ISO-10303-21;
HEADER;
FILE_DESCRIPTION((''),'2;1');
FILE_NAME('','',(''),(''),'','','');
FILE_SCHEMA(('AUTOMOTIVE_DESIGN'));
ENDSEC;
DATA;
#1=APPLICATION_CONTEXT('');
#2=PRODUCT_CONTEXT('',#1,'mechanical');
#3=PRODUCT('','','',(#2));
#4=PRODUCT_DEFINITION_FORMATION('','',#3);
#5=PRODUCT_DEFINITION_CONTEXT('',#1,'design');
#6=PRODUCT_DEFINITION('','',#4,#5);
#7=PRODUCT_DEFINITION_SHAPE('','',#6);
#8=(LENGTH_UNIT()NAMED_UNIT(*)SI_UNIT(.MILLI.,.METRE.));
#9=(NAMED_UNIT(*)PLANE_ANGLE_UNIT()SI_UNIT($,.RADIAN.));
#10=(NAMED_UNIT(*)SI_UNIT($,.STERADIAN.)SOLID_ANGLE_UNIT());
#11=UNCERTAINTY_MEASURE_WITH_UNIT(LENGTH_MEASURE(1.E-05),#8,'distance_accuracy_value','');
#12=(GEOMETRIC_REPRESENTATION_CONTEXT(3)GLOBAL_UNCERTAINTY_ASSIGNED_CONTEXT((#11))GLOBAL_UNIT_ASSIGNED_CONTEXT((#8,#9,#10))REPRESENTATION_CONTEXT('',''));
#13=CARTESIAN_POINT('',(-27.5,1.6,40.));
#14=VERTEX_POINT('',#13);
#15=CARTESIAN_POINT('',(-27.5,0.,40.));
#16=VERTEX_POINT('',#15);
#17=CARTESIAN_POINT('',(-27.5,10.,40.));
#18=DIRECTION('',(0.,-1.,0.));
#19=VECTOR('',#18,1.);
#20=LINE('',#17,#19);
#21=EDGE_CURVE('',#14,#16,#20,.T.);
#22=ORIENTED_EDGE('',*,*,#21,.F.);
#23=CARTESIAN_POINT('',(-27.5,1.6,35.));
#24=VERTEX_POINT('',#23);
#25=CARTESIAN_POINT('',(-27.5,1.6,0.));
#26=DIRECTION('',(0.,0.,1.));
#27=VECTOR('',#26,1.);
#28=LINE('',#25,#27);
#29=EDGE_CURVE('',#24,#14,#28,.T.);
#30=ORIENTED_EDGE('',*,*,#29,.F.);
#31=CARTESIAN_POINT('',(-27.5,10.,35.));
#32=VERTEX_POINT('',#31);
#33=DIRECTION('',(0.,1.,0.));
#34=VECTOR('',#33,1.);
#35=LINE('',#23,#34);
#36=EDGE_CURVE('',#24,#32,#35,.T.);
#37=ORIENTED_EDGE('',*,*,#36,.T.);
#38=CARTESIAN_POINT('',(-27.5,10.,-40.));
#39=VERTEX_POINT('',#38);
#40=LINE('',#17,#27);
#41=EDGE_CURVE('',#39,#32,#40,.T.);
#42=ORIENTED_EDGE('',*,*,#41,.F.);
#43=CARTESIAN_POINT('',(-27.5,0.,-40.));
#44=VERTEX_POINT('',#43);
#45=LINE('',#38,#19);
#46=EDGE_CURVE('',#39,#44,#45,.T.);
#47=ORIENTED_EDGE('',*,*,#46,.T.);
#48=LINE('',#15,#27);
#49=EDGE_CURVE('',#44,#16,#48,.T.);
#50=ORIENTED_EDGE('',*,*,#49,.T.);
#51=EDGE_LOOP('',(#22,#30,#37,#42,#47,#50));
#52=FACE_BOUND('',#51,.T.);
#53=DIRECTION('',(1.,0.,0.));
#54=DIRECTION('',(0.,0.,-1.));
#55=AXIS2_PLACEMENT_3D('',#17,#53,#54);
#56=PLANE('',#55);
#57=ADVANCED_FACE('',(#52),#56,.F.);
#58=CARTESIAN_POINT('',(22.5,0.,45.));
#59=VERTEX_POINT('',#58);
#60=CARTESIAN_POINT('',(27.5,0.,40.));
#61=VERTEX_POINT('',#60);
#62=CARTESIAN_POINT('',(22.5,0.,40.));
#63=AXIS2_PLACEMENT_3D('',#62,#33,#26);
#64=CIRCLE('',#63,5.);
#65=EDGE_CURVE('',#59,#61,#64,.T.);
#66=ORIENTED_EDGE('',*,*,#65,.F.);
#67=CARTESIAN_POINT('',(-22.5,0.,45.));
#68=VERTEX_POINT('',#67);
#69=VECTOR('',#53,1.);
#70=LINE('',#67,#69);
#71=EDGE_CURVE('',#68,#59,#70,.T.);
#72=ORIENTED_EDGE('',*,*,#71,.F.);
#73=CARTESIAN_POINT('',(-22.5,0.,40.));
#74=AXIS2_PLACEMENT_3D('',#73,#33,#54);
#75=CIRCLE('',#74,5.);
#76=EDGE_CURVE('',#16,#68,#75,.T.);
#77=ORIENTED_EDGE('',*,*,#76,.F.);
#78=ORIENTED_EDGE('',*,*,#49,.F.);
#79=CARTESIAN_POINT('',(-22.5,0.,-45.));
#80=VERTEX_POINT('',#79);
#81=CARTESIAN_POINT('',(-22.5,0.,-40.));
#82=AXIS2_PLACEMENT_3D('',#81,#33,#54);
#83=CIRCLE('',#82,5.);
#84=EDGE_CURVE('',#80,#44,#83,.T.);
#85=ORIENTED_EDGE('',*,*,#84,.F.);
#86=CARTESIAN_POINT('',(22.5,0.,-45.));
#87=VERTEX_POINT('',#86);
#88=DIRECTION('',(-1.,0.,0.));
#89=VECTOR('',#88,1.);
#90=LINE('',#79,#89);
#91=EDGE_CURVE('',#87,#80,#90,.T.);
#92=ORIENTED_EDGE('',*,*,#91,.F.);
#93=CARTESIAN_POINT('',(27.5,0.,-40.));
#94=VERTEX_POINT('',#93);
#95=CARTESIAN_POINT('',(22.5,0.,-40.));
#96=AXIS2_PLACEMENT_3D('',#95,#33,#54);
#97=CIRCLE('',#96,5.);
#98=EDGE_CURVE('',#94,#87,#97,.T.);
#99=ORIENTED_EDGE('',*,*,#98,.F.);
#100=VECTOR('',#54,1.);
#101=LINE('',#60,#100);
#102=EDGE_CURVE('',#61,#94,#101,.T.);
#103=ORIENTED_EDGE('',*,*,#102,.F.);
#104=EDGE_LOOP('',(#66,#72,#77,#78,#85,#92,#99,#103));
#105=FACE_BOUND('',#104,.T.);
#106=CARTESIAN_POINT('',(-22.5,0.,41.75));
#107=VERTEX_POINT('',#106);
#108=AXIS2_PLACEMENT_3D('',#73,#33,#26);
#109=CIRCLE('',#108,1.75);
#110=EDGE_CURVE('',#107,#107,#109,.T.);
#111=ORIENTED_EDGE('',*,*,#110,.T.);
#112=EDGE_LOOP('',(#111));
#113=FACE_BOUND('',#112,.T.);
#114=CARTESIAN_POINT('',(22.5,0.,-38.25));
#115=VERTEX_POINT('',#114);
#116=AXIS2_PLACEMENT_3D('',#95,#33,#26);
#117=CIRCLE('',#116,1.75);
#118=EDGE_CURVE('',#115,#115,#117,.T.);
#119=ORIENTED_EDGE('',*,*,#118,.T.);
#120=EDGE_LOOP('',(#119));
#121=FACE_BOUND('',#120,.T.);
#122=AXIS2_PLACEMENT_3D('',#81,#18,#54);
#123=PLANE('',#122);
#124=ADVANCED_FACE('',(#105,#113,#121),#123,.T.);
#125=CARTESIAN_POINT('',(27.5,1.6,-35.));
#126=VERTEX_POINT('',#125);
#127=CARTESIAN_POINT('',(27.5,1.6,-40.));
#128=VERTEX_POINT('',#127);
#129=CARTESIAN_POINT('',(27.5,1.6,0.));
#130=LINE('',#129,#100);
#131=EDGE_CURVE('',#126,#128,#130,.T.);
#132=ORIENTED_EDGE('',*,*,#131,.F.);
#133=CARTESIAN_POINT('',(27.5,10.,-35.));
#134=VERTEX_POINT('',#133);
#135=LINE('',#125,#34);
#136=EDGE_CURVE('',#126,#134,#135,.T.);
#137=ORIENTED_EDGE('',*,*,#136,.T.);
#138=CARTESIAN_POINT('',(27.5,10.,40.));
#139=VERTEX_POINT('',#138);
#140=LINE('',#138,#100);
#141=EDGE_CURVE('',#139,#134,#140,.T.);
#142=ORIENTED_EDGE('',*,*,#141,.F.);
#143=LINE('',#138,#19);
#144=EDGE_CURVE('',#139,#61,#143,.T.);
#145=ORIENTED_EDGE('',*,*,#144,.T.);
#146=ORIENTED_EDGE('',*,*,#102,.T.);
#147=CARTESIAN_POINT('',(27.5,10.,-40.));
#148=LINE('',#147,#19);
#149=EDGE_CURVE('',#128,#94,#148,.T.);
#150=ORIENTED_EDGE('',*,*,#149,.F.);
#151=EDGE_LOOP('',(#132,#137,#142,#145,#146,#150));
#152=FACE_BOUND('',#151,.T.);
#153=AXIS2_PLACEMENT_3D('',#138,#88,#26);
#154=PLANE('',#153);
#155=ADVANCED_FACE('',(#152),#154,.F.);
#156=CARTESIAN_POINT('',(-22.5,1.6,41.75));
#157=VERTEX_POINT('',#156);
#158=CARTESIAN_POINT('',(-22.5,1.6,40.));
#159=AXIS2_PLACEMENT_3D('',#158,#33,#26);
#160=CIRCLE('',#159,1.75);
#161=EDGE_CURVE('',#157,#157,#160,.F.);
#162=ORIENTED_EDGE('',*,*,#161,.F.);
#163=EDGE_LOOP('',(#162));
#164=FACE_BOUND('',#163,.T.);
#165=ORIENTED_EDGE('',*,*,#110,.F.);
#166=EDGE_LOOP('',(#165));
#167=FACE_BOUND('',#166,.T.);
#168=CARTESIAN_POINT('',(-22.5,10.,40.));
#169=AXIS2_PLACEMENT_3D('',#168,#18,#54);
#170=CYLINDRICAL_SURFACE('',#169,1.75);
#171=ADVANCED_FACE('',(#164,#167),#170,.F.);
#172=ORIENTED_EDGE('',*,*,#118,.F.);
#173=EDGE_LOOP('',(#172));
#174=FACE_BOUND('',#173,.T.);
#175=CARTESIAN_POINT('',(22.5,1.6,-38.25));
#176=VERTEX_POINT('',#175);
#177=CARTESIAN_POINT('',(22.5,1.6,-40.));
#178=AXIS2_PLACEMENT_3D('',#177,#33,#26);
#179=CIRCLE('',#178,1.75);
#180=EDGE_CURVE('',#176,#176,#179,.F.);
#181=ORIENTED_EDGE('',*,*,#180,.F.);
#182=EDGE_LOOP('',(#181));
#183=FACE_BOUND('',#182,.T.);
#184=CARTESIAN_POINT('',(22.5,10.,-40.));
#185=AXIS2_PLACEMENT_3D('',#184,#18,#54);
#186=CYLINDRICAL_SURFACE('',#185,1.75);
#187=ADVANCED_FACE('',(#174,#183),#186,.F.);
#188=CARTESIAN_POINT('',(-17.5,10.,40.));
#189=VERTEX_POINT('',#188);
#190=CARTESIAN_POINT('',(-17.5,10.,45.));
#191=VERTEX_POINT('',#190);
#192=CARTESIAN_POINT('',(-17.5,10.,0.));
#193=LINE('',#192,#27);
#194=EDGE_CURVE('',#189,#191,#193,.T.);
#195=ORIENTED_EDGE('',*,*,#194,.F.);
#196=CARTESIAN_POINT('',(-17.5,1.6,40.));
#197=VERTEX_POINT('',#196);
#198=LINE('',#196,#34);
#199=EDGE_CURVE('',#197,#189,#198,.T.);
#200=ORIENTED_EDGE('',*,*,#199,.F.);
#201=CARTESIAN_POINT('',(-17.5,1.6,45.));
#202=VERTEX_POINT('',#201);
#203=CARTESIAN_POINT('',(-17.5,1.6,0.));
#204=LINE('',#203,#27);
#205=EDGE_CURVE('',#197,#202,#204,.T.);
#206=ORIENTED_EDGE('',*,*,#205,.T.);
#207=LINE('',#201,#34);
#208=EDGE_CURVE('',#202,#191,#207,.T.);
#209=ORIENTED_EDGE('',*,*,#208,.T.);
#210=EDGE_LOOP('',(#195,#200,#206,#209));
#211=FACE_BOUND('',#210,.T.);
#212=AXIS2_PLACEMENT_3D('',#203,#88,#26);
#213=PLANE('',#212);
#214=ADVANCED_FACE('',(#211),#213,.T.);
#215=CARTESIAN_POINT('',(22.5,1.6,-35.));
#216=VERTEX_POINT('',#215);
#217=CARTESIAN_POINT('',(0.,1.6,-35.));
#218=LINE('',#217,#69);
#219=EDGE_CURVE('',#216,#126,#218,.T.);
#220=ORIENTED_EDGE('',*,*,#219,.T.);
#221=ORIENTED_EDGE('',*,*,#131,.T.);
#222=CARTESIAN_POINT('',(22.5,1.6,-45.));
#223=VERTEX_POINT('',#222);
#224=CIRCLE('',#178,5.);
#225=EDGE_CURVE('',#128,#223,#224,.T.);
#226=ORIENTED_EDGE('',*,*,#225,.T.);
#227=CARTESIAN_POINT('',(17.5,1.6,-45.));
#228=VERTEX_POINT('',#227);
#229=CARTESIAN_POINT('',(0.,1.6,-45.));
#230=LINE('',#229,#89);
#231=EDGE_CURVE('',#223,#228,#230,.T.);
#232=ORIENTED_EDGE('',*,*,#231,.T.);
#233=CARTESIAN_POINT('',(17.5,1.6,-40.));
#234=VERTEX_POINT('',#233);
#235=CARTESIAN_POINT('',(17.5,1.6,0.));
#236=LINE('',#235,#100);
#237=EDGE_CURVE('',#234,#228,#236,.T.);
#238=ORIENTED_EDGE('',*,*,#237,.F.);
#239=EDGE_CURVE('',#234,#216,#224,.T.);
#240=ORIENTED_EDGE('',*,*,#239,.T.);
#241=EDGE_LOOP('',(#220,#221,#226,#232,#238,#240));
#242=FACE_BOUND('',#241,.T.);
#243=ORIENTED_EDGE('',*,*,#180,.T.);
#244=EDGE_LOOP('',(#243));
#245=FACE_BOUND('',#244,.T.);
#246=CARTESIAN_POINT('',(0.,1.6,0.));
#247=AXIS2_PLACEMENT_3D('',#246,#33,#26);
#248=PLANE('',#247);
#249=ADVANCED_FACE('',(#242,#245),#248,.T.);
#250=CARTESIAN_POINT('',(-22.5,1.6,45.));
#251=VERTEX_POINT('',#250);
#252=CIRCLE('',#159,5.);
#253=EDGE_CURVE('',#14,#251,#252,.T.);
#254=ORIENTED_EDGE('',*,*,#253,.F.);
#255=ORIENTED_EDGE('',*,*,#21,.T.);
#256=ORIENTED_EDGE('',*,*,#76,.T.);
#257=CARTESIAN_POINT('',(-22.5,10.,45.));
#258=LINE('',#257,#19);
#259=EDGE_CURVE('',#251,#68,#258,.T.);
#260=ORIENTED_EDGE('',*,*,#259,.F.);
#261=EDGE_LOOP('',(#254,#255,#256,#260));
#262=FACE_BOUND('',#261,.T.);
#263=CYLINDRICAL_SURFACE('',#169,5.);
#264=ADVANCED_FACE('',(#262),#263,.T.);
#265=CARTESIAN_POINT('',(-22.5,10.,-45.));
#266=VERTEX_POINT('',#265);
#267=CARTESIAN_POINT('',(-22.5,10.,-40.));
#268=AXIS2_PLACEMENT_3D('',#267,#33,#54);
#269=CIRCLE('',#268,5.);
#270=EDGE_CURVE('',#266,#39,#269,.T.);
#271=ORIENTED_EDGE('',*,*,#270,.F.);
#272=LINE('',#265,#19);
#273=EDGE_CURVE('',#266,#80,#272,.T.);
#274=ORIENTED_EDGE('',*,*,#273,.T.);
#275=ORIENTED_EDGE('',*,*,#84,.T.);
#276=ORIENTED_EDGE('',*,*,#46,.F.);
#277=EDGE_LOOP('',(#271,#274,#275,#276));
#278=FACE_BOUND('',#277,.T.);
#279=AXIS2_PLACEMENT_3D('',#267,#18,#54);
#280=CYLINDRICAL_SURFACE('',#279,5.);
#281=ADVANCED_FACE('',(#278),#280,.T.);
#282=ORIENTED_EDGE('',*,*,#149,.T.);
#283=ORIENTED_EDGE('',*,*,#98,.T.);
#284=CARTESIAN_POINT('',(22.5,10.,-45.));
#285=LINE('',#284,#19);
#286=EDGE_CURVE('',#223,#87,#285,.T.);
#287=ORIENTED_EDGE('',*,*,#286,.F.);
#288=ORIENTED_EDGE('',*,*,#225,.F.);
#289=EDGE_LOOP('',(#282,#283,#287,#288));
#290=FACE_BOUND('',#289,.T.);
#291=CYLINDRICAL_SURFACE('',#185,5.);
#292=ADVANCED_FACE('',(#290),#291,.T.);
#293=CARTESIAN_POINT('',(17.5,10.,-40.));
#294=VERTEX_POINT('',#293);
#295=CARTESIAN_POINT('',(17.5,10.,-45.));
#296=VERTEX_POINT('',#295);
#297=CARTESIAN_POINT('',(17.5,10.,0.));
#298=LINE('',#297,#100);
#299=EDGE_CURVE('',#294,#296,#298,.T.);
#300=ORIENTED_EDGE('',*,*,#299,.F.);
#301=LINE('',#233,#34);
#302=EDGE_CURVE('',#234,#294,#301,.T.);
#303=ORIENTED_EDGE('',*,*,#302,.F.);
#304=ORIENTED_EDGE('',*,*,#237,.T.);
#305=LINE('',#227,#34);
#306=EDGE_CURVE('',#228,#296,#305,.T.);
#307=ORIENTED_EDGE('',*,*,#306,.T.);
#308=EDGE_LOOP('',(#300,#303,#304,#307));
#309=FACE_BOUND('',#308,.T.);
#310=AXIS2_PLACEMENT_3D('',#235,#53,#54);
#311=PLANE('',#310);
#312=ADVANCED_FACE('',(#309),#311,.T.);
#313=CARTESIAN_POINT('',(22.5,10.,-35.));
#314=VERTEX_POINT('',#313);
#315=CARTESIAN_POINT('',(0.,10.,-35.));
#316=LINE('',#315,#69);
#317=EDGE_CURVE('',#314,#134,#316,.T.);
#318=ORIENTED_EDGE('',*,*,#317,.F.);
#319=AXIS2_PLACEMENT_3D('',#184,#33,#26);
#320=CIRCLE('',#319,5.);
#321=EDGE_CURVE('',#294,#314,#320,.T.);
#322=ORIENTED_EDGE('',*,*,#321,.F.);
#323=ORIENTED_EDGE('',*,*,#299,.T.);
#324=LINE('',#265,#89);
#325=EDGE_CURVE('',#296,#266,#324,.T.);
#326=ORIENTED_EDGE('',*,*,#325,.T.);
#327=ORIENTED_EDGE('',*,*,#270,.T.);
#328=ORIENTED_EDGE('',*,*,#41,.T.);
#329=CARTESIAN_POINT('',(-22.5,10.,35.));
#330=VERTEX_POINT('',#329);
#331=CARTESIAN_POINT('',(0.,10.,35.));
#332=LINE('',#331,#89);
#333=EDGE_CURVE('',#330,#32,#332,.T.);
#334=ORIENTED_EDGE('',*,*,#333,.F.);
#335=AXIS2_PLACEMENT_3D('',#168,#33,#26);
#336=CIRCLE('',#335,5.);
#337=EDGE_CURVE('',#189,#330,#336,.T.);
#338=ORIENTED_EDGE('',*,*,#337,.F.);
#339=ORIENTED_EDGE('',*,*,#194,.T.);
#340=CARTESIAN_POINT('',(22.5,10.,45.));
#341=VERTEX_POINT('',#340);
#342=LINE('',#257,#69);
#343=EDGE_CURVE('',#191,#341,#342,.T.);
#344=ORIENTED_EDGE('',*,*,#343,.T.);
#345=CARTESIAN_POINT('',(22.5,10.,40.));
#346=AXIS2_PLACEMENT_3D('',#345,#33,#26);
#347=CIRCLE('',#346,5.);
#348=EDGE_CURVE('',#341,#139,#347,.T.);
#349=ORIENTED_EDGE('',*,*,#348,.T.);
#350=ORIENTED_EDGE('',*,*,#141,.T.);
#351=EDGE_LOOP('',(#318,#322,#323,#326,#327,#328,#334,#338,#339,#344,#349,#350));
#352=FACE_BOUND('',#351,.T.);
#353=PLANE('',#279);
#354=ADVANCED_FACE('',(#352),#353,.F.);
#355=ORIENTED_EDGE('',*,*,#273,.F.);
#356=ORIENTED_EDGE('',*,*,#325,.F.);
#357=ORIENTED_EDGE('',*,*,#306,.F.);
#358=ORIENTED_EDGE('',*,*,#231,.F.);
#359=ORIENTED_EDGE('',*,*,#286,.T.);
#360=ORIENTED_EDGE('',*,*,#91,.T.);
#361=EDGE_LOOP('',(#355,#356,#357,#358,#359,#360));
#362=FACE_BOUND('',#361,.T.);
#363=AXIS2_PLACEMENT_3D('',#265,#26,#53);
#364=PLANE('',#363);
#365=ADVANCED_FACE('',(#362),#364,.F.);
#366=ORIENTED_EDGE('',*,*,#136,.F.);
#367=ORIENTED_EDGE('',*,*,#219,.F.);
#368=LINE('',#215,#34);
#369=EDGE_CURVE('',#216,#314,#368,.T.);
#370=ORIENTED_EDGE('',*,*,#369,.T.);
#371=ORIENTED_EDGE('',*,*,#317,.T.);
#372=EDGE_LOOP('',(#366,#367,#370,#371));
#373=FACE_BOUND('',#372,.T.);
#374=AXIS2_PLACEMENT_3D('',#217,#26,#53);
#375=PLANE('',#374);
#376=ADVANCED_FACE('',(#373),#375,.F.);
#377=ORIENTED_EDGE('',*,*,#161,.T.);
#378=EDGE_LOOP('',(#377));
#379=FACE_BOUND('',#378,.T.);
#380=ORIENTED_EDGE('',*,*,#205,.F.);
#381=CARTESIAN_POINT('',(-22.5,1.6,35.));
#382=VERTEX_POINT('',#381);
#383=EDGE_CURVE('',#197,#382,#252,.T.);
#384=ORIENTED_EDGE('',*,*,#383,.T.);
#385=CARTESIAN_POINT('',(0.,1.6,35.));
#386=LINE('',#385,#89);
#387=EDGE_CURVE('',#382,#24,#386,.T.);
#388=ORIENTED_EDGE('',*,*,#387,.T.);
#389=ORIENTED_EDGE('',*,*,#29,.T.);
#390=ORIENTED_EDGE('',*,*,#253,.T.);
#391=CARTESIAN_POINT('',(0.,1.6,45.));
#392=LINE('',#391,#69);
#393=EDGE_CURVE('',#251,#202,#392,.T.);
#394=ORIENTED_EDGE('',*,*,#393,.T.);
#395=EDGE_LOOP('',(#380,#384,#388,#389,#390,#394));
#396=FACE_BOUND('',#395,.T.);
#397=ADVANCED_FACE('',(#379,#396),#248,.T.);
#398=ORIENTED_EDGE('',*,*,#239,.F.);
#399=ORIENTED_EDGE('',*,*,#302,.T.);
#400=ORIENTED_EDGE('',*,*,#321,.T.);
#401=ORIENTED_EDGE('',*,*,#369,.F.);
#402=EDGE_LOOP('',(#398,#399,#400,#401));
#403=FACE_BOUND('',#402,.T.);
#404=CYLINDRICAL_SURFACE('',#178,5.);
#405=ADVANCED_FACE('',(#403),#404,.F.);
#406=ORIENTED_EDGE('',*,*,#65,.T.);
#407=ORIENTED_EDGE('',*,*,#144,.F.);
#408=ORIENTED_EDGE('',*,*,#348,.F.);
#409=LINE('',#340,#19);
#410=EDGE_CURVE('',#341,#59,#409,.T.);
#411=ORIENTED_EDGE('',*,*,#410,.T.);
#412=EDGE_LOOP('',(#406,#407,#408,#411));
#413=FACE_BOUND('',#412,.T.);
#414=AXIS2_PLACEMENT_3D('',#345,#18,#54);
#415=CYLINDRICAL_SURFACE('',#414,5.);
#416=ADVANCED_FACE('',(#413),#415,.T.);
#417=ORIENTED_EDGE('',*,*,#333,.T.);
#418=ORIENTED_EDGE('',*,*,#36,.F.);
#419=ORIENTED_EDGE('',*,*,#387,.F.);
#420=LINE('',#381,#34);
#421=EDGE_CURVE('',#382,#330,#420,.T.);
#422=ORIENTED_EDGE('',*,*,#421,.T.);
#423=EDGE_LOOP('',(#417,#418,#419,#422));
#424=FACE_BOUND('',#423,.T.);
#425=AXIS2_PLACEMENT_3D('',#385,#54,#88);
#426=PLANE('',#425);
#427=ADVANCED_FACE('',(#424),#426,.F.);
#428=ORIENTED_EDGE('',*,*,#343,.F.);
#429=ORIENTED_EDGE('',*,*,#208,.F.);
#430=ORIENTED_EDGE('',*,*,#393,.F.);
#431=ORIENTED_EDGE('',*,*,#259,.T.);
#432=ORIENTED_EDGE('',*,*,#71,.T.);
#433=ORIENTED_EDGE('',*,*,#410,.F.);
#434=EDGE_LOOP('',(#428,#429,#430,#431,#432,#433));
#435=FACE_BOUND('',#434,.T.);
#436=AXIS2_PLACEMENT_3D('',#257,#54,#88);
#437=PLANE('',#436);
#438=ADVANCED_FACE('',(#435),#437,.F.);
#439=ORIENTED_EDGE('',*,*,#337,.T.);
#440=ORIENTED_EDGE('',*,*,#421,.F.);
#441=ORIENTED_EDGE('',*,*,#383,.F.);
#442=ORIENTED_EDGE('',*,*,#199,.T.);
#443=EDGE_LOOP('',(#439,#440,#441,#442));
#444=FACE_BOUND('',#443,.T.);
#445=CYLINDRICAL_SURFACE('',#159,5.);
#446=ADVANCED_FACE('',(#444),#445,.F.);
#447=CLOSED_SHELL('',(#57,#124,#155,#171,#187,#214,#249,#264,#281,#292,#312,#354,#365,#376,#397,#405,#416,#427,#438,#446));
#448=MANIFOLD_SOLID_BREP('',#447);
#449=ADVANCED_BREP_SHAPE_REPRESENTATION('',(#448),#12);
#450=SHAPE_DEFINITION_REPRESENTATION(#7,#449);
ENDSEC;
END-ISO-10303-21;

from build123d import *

# Parameters (mm, degrees)
SKETCH_1_R          = 1.75
EXTRUDE_1_DEPTH     = 10
SKETCH_2_R          = 1.75
CUT_EXTRUDE_2_DEPTH = 8.4


with BuildPart() as part:
    # 草图1 → 凸台-拉伸1 (new body)
    with BuildSketch(Plane(origin=(0, 0, 0), x_dir=(1, 0, 0), z_dir=(0, 1, 0))):
        with BuildLine():
            Line((-22.5, -45), (22.5, -45))
            ThreePointArc((22.5, -45), (26.035533906, -43.535533906), (27.5, -40))
            Line((27.5, -40), (27.5, 40))
            ThreePointArc((27.5, 40), (26.035533906, 43.535533906), (22.5, 45))
            Line((22.5, 45), (-22.5, 45))
            ThreePointArc((-22.5, 45), (-26.035533906, 43.535533906), (-27.5, 40))
            Line((-27.5, 40), (-27.5, -40))
            ThreePointArc((-27.5, -40), (-26.035533906, -43.535533906), (-22.5, -45))
        make_face()
        with Locations((-22.5, -40)):
            Circle(SKETCH_1_R, mode=Mode.SUBTRACT)
        with Locations((22.5, 40)):
            Circle(SKETCH_1_R, mode=Mode.SUBTRACT)
    extrude(amount=EXTRUDE_1_DEPTH)

    # 草图2 → 切除-拉伸2 (cut)
    with BuildSketch(Plane(origin=(0, 10, 0), x_dir=(1, 0, 0), z_dir=(0, 1, 0))):
        with BuildLine():
            Line((-27.5, -35), (-27.5, -40))
            ThreePointArc((-27.5, -40), (-26.035533906, -43.535533906), (-22.5, -45))
            Line((-22.5, -45), (-17.5, -45))
            Line((-17.5, -45), (-17.5, -40))
            ThreePointArc((-17.5, -40), (-18.964466094, -36.464466094), (-22.5, -35))
            Line((-22.5, -35), (-27.5, -35))
        make_face()
        with Locations((-22.5, -40)):
            Circle(SKETCH_2_R, mode=Mode.SUBTRACT)
        with BuildLine():
            Line((22.5, 45), (17.5, 45))
            Line((17.5, 45), (17.5, 40))
            ThreePointArc((17.5, 40), (18.964466094, 36.464466094), (22.5, 35))
            Line((22.5, 35), (27.5, 35))
            Line((27.5, 35), (27.5, 40))
            ThreePointArc((27.5, 40), (26.035533906, 43.535533906), (22.5, 45))
        make_face()
        with Locations((22.5, 40)):
            Circle(SKETCH_2_R, mode=Mode.SUBTRACT)
    extrude(amount=-CUT_EXTRUDE_2_DEPTH, mode=Mode.SUBTRACT)


solid = part.part
